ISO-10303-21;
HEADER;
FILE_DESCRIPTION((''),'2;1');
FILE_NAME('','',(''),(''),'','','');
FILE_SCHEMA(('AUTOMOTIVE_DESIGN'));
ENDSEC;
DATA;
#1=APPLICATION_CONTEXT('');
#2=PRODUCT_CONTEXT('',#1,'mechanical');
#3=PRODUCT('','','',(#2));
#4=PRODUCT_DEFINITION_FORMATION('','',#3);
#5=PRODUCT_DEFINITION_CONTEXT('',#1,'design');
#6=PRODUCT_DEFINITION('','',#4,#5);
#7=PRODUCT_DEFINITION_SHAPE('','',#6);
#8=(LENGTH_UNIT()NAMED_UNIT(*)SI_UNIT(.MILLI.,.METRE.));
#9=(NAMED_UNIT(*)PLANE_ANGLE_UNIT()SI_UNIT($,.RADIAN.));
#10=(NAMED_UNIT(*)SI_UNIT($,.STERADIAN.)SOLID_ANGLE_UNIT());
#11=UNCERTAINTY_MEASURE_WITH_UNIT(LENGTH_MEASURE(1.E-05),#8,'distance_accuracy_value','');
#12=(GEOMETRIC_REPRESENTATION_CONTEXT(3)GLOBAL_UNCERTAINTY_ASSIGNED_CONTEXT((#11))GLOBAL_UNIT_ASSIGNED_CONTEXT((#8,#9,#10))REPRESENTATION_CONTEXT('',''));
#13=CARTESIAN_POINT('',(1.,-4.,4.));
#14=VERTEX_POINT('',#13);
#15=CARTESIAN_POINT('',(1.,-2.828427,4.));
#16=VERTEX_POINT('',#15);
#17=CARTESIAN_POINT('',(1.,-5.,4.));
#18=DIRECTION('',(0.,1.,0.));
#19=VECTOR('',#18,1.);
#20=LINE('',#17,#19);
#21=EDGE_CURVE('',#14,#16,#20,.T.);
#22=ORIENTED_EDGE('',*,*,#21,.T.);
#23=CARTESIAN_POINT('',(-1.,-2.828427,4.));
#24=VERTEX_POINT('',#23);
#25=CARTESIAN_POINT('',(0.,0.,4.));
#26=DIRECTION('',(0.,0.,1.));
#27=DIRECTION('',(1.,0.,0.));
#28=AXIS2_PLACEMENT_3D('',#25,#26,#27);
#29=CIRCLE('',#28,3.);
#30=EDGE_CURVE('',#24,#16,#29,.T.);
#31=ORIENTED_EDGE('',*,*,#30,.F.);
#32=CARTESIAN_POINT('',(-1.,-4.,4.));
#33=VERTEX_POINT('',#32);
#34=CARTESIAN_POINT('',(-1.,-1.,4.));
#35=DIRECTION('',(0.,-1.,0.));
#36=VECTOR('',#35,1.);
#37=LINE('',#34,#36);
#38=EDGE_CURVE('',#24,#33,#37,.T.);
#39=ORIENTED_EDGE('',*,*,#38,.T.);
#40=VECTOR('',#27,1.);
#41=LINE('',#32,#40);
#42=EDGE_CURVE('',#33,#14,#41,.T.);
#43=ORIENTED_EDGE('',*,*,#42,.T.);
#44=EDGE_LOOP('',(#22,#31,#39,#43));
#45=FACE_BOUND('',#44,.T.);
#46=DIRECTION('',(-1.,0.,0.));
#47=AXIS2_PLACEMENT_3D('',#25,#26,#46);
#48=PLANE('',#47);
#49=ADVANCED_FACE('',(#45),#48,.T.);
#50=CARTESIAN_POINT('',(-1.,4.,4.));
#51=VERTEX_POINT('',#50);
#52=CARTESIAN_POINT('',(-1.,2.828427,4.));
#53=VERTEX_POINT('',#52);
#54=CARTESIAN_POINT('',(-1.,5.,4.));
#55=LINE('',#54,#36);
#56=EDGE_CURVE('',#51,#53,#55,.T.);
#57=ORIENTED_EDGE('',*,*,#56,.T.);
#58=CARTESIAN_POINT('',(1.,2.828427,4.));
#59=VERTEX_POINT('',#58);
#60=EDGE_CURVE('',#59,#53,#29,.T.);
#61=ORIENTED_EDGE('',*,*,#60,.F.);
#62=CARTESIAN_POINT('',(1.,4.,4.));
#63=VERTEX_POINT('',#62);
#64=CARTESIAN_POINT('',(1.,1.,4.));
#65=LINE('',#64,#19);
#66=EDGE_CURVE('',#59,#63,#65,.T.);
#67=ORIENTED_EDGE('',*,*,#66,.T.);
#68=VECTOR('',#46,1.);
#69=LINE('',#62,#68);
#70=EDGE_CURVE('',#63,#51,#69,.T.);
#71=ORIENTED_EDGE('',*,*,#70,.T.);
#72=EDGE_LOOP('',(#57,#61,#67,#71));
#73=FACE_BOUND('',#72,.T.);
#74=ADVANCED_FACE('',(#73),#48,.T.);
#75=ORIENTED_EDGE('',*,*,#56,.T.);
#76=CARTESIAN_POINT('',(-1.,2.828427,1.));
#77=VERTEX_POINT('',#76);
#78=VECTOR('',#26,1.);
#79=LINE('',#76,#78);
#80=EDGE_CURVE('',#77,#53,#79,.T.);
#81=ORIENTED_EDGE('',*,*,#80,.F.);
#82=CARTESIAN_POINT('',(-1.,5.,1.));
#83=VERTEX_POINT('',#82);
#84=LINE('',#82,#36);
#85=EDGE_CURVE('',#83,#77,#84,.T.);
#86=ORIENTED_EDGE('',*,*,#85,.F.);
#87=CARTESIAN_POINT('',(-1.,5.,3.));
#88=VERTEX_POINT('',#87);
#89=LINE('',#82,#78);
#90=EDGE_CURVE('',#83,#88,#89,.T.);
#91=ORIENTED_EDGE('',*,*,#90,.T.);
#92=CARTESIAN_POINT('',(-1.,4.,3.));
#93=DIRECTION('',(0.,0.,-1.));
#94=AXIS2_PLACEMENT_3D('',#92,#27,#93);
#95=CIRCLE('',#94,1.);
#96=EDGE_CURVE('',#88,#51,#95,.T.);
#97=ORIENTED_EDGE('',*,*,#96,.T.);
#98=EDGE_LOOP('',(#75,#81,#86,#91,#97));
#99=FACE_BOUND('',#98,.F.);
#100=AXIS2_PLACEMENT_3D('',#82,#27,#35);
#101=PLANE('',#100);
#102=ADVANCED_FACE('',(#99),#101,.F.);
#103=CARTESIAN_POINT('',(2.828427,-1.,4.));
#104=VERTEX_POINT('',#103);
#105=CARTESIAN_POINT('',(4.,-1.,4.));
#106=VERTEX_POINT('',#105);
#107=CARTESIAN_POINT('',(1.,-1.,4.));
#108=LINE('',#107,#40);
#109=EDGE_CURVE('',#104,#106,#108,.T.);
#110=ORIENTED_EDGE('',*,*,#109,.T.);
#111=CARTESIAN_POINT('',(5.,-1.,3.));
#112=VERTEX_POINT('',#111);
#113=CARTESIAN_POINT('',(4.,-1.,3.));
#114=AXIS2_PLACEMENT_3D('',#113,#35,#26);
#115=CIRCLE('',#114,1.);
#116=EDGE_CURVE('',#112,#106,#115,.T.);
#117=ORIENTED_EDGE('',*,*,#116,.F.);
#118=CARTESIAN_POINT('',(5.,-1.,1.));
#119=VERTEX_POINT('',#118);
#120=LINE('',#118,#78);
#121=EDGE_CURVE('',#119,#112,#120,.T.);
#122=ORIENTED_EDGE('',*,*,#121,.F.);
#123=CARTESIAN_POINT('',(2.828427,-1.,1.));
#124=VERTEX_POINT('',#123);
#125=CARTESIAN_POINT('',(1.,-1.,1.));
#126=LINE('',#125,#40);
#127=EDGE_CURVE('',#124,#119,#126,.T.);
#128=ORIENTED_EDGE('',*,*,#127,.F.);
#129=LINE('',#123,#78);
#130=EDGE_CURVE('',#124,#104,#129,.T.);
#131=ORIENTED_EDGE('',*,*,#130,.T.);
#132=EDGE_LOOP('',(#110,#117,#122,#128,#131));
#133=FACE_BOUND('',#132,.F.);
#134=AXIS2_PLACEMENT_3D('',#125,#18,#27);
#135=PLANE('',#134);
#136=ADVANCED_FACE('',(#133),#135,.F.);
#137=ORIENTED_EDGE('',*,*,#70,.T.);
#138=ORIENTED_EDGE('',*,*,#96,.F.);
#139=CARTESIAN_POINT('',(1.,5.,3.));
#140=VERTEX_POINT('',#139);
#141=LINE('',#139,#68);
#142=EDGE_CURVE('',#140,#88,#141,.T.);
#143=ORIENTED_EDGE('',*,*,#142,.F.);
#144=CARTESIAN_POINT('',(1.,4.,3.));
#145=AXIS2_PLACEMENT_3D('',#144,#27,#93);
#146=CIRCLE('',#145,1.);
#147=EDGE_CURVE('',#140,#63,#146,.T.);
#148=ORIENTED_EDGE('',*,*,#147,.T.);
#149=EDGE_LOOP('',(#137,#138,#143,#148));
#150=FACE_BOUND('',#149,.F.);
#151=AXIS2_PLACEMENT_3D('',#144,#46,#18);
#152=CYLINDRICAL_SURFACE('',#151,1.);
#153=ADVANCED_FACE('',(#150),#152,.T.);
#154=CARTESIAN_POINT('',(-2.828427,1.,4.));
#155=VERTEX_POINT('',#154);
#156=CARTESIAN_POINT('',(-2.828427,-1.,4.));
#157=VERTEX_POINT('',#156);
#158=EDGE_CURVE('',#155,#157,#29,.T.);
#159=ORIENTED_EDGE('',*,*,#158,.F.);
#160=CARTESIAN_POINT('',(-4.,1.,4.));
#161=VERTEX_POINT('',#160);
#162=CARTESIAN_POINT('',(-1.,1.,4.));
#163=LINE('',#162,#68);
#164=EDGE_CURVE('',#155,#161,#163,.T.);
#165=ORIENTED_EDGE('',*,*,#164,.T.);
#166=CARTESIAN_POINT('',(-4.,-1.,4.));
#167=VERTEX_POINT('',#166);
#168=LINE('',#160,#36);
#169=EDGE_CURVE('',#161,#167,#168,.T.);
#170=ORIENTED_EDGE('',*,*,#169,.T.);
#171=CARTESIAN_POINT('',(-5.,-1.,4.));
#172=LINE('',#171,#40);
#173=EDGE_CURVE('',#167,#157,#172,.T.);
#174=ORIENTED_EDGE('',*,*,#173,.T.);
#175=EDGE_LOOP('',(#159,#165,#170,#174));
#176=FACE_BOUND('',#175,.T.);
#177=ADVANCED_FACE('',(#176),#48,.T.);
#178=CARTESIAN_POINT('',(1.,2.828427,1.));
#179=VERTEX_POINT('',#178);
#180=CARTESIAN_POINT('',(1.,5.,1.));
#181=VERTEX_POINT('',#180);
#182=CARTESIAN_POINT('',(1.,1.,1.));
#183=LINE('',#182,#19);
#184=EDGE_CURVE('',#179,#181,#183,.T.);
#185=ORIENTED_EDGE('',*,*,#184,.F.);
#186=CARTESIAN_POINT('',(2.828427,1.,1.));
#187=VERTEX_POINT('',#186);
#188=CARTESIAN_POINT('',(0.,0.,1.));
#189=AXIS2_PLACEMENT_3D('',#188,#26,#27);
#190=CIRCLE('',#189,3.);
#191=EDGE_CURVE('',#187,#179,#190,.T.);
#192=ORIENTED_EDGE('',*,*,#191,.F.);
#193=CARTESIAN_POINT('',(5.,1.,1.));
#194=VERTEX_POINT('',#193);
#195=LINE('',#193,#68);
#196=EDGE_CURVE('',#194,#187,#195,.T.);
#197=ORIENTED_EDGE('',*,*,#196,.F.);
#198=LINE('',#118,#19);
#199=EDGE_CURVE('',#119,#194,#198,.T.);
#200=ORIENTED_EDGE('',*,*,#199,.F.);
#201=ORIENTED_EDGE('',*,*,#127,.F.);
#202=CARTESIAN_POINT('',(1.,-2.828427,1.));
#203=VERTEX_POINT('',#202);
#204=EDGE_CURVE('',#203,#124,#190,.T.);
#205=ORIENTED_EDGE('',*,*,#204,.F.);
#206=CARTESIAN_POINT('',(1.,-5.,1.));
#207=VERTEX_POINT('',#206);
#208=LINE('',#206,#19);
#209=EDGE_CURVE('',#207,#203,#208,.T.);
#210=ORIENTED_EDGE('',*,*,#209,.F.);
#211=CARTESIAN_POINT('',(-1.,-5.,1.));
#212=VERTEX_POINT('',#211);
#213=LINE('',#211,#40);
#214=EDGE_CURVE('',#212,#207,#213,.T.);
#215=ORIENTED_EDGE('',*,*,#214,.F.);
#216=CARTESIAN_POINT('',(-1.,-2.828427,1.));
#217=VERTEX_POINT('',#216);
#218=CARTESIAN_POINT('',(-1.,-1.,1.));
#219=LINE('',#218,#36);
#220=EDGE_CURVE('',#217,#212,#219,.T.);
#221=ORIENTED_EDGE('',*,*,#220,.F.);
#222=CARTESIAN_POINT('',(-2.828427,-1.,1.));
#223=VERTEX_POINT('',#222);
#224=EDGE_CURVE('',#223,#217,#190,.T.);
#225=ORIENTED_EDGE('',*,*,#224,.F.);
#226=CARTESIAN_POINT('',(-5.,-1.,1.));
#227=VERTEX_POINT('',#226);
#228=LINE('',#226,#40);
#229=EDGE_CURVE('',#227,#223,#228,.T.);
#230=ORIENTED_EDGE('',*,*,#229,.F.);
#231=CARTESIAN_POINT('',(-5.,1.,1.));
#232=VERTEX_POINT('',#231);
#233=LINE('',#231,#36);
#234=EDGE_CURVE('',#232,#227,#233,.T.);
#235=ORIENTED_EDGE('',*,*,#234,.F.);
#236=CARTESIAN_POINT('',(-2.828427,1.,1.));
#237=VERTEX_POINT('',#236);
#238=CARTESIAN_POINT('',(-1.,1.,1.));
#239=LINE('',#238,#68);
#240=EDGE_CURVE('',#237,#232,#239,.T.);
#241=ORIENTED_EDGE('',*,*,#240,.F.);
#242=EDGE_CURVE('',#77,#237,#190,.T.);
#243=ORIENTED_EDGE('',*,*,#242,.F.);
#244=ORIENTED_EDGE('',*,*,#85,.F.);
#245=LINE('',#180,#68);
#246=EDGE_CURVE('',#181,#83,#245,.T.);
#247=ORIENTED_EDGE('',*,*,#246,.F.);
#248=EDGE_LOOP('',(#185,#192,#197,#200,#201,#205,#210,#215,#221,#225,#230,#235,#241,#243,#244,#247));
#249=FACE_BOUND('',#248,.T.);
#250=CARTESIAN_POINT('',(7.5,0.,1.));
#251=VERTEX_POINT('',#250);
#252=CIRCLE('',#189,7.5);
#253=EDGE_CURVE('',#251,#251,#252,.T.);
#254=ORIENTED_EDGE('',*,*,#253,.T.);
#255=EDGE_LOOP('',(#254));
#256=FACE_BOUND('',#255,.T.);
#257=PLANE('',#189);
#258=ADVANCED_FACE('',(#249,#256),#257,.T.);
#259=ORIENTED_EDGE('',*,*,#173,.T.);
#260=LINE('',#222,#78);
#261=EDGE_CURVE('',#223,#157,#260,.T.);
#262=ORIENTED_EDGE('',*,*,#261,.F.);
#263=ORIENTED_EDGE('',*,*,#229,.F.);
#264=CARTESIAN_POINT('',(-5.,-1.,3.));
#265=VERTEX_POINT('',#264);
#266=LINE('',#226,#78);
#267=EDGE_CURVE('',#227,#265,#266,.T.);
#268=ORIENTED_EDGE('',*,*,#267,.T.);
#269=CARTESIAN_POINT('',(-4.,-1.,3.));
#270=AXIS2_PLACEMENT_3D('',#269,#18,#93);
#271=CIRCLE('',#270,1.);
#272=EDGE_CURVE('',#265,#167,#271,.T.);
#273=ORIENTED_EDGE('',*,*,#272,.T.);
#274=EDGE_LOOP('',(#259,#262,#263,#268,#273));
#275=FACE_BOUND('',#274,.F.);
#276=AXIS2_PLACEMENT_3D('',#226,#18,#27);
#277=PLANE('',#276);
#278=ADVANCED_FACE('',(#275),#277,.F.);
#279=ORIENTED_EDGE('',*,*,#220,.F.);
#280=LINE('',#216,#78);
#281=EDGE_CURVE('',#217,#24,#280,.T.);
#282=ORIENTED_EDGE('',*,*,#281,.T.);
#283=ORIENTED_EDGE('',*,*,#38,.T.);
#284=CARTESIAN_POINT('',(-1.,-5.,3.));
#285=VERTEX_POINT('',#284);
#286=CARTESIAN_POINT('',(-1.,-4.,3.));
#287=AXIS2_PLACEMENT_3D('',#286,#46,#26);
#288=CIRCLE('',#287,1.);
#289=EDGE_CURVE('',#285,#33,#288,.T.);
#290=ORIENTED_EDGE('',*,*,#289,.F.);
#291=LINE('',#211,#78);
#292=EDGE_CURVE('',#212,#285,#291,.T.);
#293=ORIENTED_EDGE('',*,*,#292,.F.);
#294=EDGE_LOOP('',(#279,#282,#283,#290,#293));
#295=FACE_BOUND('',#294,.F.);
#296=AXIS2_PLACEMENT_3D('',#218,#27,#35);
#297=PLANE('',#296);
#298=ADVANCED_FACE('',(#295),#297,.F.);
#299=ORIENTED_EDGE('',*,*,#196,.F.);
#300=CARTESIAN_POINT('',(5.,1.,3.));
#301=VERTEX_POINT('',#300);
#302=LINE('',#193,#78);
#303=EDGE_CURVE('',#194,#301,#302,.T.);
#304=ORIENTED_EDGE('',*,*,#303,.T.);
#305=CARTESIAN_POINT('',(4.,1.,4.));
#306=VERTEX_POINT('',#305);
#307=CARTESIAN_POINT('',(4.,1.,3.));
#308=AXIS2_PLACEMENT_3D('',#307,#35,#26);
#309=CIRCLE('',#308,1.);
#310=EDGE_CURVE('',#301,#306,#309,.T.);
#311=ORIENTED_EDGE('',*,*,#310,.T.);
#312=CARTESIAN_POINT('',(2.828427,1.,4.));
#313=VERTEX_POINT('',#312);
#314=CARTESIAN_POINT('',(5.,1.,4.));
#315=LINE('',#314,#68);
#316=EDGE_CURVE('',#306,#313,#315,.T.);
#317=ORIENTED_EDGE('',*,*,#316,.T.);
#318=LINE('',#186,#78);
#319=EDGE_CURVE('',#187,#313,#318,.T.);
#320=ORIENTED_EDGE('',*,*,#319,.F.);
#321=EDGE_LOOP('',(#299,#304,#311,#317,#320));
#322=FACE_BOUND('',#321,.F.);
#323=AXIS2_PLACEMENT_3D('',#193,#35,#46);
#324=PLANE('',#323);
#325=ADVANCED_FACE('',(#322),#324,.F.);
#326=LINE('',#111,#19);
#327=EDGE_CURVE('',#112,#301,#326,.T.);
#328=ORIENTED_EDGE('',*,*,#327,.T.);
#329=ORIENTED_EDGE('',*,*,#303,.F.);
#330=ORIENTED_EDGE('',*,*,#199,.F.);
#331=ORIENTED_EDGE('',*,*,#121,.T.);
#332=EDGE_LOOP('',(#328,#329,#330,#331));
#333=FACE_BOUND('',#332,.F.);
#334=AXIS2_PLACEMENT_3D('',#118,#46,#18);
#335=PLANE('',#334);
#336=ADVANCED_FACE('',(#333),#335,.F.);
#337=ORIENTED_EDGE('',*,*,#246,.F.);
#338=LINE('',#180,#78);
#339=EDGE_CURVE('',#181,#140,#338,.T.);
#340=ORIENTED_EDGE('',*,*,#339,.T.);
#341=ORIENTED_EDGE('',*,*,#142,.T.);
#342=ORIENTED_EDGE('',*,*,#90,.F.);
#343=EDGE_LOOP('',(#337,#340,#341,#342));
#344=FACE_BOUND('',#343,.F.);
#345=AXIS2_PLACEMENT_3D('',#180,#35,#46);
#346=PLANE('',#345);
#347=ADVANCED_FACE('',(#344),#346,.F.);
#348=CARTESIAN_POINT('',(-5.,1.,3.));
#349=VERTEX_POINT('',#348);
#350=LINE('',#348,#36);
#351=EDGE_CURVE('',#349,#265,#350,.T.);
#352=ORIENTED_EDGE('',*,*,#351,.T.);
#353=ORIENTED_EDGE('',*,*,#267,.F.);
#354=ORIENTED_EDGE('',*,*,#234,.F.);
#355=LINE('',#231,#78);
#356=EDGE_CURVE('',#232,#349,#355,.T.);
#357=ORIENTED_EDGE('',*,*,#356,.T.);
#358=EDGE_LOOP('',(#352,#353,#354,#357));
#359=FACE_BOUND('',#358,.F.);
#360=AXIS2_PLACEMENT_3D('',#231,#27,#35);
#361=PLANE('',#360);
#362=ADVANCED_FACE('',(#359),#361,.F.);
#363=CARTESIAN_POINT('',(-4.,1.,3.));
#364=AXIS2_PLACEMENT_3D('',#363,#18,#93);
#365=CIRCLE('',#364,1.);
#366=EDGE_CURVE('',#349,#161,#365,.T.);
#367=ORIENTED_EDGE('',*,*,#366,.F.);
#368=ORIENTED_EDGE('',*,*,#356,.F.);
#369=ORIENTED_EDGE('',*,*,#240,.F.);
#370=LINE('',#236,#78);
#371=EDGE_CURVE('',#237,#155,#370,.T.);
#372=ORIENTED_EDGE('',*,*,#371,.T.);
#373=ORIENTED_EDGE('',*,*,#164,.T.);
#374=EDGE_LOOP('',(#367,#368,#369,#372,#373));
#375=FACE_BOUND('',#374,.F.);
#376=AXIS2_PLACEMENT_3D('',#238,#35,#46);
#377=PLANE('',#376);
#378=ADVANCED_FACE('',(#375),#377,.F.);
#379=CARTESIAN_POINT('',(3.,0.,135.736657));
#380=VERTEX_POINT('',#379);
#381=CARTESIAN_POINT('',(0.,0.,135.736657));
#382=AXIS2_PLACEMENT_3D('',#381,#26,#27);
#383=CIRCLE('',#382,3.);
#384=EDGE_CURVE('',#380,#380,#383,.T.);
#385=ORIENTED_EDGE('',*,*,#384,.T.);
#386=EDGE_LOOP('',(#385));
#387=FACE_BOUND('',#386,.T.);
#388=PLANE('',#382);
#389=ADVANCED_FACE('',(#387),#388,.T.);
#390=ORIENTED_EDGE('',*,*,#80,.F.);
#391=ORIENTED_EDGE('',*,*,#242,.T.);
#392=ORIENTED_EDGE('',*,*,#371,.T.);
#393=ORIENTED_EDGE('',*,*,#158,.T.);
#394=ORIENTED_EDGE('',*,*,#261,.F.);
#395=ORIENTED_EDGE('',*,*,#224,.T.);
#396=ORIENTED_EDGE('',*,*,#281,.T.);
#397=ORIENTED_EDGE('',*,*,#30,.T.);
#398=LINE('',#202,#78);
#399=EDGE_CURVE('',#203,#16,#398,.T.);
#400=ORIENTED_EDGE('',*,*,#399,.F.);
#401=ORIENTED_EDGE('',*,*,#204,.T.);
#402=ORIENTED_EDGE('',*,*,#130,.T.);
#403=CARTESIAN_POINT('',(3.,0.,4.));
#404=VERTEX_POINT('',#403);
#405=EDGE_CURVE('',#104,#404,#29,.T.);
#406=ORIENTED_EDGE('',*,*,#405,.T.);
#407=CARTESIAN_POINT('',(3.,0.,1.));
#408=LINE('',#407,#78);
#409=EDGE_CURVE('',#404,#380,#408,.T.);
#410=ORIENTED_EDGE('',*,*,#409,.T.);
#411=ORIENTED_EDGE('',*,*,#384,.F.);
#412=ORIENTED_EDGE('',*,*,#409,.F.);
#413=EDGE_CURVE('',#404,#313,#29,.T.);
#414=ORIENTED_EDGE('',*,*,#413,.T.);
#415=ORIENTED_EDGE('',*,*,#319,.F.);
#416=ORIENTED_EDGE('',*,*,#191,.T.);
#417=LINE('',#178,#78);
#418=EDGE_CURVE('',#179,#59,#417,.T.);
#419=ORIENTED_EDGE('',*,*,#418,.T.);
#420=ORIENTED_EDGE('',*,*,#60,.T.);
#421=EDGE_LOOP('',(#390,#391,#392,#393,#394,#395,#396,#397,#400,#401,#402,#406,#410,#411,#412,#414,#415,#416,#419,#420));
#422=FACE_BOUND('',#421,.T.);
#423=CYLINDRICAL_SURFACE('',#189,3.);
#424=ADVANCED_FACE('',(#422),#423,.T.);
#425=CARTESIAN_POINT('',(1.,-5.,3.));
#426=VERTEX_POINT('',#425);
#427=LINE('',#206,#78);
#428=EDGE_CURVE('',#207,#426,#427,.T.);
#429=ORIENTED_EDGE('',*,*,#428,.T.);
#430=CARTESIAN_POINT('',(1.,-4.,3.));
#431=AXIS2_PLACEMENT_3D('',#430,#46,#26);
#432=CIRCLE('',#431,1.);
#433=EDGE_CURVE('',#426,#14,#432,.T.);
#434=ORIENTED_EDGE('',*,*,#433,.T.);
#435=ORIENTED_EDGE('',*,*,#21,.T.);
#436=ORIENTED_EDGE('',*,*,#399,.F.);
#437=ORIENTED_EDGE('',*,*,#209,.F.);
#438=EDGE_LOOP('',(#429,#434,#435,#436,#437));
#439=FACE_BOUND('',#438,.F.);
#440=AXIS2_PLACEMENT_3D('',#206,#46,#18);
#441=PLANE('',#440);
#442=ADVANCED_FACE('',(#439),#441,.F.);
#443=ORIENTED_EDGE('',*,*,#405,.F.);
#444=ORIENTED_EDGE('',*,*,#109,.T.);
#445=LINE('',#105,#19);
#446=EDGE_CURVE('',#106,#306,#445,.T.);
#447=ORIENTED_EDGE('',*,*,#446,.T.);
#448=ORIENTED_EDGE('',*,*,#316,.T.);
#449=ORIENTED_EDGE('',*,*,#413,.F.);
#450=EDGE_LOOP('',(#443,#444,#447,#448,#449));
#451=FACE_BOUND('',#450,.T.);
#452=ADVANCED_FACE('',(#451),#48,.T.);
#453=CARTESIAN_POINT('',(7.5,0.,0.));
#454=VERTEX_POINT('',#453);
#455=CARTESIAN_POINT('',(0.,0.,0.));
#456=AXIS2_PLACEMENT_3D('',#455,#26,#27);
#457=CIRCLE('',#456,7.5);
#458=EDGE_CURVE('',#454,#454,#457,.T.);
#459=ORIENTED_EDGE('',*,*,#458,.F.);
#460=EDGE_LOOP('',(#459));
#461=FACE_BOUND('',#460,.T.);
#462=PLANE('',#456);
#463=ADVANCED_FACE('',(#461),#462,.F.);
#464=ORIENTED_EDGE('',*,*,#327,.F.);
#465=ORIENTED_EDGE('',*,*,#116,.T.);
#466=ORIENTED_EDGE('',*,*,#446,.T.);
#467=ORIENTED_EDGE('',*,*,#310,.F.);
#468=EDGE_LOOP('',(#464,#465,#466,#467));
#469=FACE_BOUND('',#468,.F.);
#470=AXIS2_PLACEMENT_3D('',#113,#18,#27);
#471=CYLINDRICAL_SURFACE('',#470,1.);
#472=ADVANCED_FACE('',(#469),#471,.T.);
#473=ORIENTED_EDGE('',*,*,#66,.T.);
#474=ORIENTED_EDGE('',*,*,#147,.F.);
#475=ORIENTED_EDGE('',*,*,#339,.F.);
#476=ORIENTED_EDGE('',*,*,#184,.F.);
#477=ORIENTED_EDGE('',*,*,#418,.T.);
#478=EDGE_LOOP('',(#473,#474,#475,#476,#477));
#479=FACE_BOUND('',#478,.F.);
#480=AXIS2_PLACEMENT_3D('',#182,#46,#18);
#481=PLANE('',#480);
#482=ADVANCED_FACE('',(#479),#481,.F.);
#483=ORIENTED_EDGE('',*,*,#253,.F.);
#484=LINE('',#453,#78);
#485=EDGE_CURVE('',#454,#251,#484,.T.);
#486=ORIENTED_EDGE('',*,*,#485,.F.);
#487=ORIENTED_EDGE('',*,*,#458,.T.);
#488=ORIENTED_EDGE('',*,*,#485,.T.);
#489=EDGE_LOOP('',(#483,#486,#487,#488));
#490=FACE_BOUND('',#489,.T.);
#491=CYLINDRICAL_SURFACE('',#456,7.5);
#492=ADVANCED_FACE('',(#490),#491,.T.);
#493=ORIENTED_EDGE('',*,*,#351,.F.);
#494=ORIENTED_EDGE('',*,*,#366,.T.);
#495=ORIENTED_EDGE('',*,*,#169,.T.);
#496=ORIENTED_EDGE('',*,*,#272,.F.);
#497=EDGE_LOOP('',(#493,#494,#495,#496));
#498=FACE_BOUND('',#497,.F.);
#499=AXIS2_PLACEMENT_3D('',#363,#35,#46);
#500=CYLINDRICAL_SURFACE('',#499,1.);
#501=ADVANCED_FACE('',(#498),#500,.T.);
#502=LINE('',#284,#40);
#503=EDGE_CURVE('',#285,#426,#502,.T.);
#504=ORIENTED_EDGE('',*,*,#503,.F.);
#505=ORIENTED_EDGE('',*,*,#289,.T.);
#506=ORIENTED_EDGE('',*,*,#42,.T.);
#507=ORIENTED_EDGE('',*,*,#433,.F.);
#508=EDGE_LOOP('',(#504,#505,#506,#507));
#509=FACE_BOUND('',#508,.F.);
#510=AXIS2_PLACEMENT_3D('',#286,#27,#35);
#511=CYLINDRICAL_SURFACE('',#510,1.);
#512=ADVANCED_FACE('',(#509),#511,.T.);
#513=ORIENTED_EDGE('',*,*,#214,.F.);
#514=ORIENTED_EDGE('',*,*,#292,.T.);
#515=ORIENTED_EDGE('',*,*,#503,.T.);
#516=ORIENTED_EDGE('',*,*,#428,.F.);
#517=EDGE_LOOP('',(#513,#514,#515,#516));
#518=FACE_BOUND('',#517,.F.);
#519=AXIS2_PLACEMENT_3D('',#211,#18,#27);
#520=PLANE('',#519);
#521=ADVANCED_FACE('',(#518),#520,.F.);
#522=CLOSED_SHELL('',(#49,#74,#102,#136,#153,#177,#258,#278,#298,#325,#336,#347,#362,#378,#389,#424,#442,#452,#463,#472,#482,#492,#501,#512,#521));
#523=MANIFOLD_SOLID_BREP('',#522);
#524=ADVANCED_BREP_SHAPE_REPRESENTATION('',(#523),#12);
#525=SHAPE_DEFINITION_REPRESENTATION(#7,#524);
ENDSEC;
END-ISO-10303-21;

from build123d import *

# Parameters (mm, degrees)
PAD002_DEPTH = 3
FILLET003_R  = 1


with BuildPart() as revolution001:
    # Sketch005 → Revolution001 (revolve)
    with BuildSketch(Plane.XZ):
        Polygon((0, 0), (7.5, 0), (7.5, 1), (3, 1), (3, 135.736657), (0, 135.736657), align=None)
    revolve(axis=Axis((0, 0, 0), (0, 0, 1)))


with BuildPart() as pad002:
    # Pad002 base: copy of Revolution001
    add(revolution001.part)

    # Sketch006 → Pad002 (new body)
    with BuildSketch(Plane(origin=(0, 0, 1), x_dir=(-1, 0, 0), z_dir=(0, 0, 1))):
        Polygon((-5, 1), (-5, -1), (-1, -1), (-1, -5), (1, -5), (1, -1), (5, -1), (5, 1), (1, 1), (1, 5), (-1, 5), (-1, 1), align=None)
    extrude(amount=PAD002_DEPTH)


with BuildPart() as fillet003:
    # Fusion001 base: copy of Revolution001
    add(revolution001.part)

    # Fusion001: union Pad002
    add(pad002.part)

    # Fillet003
    fillet003_edges = [fillet003.edges().sort_by_distance(p)[0] for p in [
        (0, 5, 4),
        (-5, 0, 4),
        (0, -5, 4),
        (5, 0, 4),
    ]]
    fillet(fillet003_edges, radius=FILLET003_R)


solid = fillet003.part
